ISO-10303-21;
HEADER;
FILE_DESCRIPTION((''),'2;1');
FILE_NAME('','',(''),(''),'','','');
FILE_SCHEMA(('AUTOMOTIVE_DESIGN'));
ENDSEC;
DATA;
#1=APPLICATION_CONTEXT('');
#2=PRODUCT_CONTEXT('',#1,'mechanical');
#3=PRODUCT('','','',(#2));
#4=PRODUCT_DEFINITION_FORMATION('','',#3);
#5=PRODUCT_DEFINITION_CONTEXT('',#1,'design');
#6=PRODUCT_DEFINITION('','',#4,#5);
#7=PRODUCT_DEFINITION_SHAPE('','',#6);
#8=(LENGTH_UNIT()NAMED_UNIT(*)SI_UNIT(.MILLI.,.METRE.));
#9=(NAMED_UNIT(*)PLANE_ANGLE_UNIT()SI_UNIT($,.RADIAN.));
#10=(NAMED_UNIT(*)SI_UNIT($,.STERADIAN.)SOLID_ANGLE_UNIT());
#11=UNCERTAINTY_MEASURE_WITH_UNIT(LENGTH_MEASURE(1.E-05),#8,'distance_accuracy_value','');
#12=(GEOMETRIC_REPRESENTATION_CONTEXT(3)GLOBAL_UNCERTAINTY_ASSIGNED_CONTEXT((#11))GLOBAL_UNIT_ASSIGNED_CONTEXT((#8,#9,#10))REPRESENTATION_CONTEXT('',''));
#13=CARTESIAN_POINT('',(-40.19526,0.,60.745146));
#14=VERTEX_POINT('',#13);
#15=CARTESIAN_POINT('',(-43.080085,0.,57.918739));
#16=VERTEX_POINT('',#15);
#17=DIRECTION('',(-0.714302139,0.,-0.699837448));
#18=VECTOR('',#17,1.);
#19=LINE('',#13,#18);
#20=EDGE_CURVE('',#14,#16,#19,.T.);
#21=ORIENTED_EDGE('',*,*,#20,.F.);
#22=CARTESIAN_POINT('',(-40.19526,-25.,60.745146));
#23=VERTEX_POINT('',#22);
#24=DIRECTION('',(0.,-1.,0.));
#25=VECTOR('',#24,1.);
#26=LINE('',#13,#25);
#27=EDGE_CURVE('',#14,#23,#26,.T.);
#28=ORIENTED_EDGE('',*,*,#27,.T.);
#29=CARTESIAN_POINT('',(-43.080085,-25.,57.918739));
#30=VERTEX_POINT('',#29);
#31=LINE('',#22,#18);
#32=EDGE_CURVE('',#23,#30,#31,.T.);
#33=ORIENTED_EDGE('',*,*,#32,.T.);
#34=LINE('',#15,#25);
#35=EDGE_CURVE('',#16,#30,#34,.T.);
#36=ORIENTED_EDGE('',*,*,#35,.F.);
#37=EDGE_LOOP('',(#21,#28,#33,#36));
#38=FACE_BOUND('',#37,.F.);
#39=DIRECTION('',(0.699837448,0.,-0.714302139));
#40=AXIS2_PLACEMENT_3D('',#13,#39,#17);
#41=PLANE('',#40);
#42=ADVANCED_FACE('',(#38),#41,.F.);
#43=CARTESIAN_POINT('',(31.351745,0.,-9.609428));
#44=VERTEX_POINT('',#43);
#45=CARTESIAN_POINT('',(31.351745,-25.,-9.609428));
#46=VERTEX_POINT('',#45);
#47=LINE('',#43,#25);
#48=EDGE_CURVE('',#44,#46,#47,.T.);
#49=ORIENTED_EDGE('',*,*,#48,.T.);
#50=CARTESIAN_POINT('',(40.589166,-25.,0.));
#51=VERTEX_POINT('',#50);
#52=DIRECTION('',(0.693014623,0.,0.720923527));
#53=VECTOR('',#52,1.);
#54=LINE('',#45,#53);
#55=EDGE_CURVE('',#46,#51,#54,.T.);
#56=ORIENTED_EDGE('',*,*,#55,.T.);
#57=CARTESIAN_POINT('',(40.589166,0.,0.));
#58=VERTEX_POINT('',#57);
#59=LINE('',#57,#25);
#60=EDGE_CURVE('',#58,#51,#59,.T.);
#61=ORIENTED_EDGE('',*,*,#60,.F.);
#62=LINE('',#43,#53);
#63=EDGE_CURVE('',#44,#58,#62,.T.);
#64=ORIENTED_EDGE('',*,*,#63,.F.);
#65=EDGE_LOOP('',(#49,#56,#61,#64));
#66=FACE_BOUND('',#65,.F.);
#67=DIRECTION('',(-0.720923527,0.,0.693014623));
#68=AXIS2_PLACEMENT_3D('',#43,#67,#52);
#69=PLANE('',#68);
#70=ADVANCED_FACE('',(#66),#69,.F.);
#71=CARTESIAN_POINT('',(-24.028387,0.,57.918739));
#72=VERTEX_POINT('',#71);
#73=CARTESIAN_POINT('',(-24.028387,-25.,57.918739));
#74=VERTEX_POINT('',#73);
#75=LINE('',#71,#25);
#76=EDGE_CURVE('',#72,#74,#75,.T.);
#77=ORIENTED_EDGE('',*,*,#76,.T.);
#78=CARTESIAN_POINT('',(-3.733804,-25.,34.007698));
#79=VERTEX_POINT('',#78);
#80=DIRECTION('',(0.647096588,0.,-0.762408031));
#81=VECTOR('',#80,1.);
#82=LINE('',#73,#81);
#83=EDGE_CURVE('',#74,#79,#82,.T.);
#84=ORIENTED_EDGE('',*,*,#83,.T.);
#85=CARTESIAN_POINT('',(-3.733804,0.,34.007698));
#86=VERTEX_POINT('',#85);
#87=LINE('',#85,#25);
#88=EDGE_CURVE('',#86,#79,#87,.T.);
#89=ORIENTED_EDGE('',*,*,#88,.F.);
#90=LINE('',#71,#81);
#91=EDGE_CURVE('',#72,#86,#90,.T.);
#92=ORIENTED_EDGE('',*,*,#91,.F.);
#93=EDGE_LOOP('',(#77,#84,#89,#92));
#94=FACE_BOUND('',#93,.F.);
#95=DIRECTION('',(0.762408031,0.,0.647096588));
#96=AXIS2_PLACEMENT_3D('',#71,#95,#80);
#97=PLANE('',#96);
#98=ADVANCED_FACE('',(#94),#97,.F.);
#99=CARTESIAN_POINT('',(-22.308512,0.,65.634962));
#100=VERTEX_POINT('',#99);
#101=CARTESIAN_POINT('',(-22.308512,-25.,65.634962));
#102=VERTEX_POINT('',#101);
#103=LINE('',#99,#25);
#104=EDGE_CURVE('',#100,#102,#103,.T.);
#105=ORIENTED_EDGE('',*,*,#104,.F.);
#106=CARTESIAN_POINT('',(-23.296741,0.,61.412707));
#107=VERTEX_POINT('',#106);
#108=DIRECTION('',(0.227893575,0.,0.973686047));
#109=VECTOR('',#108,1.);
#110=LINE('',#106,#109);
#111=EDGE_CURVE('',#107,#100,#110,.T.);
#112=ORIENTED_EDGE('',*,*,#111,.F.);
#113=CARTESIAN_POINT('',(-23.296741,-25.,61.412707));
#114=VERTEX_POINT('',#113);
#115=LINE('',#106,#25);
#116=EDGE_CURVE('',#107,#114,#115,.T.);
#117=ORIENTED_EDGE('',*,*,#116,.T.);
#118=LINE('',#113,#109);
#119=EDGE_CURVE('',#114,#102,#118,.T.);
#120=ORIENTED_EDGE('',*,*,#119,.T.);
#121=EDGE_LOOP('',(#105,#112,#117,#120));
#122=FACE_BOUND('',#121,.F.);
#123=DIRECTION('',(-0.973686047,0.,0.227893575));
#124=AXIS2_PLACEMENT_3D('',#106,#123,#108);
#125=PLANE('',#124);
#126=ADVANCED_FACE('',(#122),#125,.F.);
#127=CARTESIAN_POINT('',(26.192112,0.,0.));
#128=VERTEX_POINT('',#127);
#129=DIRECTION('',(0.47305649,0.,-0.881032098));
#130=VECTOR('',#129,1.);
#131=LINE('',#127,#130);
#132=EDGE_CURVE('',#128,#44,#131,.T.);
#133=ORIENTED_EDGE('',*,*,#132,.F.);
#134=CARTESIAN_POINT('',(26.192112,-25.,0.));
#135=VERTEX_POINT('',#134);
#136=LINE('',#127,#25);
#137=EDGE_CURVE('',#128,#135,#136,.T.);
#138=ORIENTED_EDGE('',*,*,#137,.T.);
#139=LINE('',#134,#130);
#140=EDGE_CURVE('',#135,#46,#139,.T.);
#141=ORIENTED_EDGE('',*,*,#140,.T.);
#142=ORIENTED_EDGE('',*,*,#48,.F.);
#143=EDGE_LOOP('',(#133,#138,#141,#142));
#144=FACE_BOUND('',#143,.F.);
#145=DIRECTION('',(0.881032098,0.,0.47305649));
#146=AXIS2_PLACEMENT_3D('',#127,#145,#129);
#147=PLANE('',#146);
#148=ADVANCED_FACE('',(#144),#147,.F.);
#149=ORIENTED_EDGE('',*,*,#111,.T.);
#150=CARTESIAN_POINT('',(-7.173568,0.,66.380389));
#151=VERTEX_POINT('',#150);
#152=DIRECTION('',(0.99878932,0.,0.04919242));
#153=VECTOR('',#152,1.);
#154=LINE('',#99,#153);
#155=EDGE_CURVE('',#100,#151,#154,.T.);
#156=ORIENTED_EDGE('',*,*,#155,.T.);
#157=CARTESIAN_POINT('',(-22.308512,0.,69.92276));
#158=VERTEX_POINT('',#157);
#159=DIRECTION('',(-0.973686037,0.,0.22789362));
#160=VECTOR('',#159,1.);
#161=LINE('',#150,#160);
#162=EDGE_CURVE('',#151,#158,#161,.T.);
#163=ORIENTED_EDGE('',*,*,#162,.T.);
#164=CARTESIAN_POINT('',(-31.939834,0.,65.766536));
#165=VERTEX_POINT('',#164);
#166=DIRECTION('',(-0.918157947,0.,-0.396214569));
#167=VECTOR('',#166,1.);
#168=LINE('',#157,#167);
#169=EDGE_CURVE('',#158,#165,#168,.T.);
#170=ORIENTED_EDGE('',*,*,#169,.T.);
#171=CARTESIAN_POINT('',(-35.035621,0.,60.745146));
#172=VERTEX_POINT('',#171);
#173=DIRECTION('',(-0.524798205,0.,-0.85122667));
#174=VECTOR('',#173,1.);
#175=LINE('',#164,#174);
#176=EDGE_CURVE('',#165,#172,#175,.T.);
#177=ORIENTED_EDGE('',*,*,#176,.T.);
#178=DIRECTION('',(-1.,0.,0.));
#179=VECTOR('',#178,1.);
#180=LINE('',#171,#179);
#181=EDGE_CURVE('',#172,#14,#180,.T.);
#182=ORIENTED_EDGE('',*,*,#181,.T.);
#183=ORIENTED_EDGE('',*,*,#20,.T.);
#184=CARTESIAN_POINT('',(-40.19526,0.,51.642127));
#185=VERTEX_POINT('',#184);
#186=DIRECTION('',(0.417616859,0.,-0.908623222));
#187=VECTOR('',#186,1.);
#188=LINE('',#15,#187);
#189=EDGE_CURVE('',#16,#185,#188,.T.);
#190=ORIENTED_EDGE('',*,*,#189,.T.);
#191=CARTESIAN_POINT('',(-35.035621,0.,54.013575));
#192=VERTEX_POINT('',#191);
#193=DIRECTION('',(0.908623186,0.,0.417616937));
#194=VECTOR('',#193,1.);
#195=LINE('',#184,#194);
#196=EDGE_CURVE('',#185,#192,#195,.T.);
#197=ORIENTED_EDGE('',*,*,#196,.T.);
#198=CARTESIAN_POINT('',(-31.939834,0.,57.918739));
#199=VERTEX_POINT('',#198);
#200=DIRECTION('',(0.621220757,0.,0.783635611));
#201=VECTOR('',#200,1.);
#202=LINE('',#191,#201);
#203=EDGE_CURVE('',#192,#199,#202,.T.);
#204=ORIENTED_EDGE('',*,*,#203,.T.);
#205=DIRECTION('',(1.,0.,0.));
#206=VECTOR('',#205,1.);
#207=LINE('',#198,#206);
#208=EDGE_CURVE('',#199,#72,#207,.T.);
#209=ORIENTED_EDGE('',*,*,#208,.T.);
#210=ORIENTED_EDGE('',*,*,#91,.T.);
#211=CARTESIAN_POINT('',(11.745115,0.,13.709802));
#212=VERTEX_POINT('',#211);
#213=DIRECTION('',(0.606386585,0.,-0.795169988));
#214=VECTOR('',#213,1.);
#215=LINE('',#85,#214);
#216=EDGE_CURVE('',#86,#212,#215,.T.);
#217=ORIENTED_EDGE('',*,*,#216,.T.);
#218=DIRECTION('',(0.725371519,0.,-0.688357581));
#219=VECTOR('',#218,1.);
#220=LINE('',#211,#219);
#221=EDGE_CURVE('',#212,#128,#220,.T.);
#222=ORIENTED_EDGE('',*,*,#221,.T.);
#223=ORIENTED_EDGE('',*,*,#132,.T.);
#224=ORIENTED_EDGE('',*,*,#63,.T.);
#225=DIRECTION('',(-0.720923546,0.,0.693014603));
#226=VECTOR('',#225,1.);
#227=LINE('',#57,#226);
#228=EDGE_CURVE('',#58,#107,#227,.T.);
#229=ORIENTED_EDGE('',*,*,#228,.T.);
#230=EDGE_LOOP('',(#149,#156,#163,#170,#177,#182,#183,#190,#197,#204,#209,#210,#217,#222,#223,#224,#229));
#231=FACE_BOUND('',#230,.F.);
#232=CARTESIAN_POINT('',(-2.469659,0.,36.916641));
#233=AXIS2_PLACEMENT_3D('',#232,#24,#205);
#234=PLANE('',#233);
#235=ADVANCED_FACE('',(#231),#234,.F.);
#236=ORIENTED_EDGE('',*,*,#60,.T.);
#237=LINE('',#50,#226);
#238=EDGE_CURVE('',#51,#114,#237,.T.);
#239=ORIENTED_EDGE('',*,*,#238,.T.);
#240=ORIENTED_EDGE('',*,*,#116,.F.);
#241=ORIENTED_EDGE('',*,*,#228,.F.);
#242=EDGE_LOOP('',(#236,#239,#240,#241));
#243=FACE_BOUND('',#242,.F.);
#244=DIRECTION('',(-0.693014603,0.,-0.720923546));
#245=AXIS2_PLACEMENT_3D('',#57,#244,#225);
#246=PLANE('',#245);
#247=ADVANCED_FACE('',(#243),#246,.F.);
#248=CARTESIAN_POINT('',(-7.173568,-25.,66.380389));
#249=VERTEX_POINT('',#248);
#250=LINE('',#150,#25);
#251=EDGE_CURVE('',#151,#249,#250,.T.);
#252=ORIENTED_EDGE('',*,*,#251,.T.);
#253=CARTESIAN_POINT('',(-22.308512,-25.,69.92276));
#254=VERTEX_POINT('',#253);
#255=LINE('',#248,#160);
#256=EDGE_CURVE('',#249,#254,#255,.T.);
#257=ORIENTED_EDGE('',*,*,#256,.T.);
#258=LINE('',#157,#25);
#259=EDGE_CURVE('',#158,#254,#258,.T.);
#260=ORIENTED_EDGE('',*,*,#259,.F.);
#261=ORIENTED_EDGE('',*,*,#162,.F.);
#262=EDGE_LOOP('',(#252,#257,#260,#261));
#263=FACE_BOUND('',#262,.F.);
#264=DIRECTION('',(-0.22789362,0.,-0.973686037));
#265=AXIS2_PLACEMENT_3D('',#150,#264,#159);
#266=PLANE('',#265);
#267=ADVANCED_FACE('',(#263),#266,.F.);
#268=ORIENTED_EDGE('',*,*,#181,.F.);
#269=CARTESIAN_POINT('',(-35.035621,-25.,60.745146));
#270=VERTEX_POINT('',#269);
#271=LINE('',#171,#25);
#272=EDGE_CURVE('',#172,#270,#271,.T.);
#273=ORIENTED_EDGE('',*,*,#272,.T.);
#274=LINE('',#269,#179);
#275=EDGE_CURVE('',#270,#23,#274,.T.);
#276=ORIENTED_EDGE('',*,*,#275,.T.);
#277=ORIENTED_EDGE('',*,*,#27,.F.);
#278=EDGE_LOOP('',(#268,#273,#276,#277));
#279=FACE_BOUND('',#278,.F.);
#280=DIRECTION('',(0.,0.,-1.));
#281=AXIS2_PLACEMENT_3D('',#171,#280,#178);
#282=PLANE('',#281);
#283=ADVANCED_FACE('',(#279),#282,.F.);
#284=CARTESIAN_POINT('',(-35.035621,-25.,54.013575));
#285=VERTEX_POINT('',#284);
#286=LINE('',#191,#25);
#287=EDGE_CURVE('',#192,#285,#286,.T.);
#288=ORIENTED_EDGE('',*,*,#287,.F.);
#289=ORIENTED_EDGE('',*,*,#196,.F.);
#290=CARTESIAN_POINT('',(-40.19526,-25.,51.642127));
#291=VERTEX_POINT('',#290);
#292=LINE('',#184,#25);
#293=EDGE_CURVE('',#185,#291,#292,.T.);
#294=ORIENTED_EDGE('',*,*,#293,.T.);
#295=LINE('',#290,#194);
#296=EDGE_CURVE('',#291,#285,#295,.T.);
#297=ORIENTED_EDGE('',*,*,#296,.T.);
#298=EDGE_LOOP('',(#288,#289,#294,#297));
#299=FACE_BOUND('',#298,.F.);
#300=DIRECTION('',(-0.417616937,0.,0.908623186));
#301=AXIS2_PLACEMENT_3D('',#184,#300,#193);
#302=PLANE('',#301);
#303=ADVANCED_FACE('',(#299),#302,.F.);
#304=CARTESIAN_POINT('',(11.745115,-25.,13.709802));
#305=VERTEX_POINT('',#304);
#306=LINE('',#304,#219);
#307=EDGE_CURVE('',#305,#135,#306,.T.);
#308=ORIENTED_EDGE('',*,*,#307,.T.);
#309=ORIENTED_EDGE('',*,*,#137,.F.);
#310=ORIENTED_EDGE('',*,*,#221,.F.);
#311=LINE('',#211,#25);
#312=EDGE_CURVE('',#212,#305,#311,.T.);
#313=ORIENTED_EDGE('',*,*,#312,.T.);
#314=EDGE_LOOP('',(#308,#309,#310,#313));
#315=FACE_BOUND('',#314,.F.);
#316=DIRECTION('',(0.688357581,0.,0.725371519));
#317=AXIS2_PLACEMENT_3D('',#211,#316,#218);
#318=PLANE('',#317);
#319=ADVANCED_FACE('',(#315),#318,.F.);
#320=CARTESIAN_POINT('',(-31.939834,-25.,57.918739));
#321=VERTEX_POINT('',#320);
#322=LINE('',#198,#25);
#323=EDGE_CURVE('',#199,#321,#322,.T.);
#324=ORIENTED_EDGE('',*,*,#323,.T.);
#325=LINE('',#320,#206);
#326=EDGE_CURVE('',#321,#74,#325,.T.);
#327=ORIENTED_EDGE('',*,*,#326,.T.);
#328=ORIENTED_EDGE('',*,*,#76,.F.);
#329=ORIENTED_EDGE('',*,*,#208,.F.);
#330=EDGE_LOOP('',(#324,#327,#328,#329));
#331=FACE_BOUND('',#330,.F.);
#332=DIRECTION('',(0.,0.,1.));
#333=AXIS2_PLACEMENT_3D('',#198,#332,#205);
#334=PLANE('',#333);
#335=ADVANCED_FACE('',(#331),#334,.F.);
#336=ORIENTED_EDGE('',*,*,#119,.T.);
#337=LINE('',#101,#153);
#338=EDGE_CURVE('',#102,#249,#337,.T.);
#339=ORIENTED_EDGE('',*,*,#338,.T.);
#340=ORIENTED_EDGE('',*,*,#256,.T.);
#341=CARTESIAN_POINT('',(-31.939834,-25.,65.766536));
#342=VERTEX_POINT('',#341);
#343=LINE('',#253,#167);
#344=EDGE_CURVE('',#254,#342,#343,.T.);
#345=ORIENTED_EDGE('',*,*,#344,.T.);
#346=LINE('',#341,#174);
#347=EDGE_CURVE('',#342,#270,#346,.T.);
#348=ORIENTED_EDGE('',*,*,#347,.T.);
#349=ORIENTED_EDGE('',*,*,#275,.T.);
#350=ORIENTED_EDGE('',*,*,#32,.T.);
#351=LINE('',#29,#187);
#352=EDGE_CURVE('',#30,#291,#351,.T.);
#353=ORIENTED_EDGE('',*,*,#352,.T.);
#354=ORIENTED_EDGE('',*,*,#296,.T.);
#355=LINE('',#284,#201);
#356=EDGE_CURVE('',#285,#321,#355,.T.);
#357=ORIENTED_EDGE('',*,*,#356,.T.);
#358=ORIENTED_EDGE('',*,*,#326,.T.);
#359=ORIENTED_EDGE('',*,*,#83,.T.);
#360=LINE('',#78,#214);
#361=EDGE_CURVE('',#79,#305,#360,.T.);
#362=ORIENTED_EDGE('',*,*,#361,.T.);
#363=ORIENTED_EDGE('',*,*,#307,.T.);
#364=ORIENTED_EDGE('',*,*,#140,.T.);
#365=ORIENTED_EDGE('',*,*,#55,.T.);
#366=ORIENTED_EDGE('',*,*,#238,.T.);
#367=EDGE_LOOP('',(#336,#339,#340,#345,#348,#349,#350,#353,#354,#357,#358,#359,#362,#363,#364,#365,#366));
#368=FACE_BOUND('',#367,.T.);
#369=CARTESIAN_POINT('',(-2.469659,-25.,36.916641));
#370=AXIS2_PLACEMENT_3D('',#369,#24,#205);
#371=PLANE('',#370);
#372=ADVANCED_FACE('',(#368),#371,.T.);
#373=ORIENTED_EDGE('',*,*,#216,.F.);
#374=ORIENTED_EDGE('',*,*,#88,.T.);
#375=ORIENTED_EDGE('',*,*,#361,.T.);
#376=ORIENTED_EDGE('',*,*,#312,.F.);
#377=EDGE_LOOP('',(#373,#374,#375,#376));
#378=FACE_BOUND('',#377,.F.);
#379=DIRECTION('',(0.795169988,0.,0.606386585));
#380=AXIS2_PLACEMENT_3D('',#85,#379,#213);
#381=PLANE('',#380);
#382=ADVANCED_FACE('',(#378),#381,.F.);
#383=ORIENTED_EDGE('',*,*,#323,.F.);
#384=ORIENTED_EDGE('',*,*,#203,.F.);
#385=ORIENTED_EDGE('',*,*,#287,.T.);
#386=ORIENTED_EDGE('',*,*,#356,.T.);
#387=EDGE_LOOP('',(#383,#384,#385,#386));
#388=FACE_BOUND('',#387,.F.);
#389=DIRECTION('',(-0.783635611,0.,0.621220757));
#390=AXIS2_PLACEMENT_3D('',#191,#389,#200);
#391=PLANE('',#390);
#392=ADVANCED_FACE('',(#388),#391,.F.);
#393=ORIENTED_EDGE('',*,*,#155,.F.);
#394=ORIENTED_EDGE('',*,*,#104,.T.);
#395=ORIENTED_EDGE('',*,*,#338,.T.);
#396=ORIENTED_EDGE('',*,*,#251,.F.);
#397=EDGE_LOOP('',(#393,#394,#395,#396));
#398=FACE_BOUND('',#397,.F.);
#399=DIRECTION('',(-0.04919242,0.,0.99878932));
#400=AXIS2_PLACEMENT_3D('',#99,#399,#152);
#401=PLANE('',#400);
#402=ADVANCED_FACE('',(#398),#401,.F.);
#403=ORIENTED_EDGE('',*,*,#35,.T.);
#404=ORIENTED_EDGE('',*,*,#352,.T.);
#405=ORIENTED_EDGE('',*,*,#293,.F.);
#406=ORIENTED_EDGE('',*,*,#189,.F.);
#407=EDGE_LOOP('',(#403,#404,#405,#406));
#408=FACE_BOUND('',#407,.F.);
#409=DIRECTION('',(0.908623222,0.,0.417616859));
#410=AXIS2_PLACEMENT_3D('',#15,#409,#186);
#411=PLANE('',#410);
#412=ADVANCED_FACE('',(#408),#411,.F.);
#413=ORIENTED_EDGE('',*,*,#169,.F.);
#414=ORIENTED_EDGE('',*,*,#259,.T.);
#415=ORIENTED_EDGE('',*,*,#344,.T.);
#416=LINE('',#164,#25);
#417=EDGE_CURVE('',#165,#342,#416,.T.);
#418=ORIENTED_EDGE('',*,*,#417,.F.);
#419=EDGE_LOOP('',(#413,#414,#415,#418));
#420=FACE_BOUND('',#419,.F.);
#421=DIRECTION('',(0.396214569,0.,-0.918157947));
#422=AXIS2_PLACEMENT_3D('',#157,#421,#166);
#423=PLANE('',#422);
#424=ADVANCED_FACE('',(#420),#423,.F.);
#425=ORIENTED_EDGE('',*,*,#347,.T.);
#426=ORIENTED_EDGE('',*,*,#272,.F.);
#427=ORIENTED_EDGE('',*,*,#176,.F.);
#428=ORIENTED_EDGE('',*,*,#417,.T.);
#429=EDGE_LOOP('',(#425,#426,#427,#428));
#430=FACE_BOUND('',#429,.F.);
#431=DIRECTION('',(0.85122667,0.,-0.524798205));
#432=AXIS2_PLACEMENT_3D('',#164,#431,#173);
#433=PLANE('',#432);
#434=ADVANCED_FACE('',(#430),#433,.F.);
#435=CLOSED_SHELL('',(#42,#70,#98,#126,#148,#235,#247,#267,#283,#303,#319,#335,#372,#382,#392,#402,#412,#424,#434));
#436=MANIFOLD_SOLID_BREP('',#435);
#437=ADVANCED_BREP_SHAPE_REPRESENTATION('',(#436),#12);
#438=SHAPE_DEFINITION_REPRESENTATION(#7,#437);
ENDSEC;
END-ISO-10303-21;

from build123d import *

# Parameters (mm, degrees)
F1_DEPTH = 25


with BuildPart() as f1:
    # F0 (on Front) → F1 (new body)
    with BuildSketch(Plane.XZ):
        Polygon((-22.308512, 65.634962), (-7.173568, 66.380389), (-22.308512, 69.92276), (-31.939834, 65.766536), (-35.035621, 60.745146), (-40.19526, 60.745146), (-43.080085, 57.918739), (-40.19526, 51.642127), (-35.035621, 54.013575), (-31.939834, 57.918739), (-24.028387, 57.918739), (-3.733804, 34.007698), (11.745115, 13.709802), (26.192112, 0), (31.351745, -9.609428), (40.589166, 0), (-23.296741, 61.412707), align=None)
    extrude(amount=F1_DEPTH)


solid = f1.part
